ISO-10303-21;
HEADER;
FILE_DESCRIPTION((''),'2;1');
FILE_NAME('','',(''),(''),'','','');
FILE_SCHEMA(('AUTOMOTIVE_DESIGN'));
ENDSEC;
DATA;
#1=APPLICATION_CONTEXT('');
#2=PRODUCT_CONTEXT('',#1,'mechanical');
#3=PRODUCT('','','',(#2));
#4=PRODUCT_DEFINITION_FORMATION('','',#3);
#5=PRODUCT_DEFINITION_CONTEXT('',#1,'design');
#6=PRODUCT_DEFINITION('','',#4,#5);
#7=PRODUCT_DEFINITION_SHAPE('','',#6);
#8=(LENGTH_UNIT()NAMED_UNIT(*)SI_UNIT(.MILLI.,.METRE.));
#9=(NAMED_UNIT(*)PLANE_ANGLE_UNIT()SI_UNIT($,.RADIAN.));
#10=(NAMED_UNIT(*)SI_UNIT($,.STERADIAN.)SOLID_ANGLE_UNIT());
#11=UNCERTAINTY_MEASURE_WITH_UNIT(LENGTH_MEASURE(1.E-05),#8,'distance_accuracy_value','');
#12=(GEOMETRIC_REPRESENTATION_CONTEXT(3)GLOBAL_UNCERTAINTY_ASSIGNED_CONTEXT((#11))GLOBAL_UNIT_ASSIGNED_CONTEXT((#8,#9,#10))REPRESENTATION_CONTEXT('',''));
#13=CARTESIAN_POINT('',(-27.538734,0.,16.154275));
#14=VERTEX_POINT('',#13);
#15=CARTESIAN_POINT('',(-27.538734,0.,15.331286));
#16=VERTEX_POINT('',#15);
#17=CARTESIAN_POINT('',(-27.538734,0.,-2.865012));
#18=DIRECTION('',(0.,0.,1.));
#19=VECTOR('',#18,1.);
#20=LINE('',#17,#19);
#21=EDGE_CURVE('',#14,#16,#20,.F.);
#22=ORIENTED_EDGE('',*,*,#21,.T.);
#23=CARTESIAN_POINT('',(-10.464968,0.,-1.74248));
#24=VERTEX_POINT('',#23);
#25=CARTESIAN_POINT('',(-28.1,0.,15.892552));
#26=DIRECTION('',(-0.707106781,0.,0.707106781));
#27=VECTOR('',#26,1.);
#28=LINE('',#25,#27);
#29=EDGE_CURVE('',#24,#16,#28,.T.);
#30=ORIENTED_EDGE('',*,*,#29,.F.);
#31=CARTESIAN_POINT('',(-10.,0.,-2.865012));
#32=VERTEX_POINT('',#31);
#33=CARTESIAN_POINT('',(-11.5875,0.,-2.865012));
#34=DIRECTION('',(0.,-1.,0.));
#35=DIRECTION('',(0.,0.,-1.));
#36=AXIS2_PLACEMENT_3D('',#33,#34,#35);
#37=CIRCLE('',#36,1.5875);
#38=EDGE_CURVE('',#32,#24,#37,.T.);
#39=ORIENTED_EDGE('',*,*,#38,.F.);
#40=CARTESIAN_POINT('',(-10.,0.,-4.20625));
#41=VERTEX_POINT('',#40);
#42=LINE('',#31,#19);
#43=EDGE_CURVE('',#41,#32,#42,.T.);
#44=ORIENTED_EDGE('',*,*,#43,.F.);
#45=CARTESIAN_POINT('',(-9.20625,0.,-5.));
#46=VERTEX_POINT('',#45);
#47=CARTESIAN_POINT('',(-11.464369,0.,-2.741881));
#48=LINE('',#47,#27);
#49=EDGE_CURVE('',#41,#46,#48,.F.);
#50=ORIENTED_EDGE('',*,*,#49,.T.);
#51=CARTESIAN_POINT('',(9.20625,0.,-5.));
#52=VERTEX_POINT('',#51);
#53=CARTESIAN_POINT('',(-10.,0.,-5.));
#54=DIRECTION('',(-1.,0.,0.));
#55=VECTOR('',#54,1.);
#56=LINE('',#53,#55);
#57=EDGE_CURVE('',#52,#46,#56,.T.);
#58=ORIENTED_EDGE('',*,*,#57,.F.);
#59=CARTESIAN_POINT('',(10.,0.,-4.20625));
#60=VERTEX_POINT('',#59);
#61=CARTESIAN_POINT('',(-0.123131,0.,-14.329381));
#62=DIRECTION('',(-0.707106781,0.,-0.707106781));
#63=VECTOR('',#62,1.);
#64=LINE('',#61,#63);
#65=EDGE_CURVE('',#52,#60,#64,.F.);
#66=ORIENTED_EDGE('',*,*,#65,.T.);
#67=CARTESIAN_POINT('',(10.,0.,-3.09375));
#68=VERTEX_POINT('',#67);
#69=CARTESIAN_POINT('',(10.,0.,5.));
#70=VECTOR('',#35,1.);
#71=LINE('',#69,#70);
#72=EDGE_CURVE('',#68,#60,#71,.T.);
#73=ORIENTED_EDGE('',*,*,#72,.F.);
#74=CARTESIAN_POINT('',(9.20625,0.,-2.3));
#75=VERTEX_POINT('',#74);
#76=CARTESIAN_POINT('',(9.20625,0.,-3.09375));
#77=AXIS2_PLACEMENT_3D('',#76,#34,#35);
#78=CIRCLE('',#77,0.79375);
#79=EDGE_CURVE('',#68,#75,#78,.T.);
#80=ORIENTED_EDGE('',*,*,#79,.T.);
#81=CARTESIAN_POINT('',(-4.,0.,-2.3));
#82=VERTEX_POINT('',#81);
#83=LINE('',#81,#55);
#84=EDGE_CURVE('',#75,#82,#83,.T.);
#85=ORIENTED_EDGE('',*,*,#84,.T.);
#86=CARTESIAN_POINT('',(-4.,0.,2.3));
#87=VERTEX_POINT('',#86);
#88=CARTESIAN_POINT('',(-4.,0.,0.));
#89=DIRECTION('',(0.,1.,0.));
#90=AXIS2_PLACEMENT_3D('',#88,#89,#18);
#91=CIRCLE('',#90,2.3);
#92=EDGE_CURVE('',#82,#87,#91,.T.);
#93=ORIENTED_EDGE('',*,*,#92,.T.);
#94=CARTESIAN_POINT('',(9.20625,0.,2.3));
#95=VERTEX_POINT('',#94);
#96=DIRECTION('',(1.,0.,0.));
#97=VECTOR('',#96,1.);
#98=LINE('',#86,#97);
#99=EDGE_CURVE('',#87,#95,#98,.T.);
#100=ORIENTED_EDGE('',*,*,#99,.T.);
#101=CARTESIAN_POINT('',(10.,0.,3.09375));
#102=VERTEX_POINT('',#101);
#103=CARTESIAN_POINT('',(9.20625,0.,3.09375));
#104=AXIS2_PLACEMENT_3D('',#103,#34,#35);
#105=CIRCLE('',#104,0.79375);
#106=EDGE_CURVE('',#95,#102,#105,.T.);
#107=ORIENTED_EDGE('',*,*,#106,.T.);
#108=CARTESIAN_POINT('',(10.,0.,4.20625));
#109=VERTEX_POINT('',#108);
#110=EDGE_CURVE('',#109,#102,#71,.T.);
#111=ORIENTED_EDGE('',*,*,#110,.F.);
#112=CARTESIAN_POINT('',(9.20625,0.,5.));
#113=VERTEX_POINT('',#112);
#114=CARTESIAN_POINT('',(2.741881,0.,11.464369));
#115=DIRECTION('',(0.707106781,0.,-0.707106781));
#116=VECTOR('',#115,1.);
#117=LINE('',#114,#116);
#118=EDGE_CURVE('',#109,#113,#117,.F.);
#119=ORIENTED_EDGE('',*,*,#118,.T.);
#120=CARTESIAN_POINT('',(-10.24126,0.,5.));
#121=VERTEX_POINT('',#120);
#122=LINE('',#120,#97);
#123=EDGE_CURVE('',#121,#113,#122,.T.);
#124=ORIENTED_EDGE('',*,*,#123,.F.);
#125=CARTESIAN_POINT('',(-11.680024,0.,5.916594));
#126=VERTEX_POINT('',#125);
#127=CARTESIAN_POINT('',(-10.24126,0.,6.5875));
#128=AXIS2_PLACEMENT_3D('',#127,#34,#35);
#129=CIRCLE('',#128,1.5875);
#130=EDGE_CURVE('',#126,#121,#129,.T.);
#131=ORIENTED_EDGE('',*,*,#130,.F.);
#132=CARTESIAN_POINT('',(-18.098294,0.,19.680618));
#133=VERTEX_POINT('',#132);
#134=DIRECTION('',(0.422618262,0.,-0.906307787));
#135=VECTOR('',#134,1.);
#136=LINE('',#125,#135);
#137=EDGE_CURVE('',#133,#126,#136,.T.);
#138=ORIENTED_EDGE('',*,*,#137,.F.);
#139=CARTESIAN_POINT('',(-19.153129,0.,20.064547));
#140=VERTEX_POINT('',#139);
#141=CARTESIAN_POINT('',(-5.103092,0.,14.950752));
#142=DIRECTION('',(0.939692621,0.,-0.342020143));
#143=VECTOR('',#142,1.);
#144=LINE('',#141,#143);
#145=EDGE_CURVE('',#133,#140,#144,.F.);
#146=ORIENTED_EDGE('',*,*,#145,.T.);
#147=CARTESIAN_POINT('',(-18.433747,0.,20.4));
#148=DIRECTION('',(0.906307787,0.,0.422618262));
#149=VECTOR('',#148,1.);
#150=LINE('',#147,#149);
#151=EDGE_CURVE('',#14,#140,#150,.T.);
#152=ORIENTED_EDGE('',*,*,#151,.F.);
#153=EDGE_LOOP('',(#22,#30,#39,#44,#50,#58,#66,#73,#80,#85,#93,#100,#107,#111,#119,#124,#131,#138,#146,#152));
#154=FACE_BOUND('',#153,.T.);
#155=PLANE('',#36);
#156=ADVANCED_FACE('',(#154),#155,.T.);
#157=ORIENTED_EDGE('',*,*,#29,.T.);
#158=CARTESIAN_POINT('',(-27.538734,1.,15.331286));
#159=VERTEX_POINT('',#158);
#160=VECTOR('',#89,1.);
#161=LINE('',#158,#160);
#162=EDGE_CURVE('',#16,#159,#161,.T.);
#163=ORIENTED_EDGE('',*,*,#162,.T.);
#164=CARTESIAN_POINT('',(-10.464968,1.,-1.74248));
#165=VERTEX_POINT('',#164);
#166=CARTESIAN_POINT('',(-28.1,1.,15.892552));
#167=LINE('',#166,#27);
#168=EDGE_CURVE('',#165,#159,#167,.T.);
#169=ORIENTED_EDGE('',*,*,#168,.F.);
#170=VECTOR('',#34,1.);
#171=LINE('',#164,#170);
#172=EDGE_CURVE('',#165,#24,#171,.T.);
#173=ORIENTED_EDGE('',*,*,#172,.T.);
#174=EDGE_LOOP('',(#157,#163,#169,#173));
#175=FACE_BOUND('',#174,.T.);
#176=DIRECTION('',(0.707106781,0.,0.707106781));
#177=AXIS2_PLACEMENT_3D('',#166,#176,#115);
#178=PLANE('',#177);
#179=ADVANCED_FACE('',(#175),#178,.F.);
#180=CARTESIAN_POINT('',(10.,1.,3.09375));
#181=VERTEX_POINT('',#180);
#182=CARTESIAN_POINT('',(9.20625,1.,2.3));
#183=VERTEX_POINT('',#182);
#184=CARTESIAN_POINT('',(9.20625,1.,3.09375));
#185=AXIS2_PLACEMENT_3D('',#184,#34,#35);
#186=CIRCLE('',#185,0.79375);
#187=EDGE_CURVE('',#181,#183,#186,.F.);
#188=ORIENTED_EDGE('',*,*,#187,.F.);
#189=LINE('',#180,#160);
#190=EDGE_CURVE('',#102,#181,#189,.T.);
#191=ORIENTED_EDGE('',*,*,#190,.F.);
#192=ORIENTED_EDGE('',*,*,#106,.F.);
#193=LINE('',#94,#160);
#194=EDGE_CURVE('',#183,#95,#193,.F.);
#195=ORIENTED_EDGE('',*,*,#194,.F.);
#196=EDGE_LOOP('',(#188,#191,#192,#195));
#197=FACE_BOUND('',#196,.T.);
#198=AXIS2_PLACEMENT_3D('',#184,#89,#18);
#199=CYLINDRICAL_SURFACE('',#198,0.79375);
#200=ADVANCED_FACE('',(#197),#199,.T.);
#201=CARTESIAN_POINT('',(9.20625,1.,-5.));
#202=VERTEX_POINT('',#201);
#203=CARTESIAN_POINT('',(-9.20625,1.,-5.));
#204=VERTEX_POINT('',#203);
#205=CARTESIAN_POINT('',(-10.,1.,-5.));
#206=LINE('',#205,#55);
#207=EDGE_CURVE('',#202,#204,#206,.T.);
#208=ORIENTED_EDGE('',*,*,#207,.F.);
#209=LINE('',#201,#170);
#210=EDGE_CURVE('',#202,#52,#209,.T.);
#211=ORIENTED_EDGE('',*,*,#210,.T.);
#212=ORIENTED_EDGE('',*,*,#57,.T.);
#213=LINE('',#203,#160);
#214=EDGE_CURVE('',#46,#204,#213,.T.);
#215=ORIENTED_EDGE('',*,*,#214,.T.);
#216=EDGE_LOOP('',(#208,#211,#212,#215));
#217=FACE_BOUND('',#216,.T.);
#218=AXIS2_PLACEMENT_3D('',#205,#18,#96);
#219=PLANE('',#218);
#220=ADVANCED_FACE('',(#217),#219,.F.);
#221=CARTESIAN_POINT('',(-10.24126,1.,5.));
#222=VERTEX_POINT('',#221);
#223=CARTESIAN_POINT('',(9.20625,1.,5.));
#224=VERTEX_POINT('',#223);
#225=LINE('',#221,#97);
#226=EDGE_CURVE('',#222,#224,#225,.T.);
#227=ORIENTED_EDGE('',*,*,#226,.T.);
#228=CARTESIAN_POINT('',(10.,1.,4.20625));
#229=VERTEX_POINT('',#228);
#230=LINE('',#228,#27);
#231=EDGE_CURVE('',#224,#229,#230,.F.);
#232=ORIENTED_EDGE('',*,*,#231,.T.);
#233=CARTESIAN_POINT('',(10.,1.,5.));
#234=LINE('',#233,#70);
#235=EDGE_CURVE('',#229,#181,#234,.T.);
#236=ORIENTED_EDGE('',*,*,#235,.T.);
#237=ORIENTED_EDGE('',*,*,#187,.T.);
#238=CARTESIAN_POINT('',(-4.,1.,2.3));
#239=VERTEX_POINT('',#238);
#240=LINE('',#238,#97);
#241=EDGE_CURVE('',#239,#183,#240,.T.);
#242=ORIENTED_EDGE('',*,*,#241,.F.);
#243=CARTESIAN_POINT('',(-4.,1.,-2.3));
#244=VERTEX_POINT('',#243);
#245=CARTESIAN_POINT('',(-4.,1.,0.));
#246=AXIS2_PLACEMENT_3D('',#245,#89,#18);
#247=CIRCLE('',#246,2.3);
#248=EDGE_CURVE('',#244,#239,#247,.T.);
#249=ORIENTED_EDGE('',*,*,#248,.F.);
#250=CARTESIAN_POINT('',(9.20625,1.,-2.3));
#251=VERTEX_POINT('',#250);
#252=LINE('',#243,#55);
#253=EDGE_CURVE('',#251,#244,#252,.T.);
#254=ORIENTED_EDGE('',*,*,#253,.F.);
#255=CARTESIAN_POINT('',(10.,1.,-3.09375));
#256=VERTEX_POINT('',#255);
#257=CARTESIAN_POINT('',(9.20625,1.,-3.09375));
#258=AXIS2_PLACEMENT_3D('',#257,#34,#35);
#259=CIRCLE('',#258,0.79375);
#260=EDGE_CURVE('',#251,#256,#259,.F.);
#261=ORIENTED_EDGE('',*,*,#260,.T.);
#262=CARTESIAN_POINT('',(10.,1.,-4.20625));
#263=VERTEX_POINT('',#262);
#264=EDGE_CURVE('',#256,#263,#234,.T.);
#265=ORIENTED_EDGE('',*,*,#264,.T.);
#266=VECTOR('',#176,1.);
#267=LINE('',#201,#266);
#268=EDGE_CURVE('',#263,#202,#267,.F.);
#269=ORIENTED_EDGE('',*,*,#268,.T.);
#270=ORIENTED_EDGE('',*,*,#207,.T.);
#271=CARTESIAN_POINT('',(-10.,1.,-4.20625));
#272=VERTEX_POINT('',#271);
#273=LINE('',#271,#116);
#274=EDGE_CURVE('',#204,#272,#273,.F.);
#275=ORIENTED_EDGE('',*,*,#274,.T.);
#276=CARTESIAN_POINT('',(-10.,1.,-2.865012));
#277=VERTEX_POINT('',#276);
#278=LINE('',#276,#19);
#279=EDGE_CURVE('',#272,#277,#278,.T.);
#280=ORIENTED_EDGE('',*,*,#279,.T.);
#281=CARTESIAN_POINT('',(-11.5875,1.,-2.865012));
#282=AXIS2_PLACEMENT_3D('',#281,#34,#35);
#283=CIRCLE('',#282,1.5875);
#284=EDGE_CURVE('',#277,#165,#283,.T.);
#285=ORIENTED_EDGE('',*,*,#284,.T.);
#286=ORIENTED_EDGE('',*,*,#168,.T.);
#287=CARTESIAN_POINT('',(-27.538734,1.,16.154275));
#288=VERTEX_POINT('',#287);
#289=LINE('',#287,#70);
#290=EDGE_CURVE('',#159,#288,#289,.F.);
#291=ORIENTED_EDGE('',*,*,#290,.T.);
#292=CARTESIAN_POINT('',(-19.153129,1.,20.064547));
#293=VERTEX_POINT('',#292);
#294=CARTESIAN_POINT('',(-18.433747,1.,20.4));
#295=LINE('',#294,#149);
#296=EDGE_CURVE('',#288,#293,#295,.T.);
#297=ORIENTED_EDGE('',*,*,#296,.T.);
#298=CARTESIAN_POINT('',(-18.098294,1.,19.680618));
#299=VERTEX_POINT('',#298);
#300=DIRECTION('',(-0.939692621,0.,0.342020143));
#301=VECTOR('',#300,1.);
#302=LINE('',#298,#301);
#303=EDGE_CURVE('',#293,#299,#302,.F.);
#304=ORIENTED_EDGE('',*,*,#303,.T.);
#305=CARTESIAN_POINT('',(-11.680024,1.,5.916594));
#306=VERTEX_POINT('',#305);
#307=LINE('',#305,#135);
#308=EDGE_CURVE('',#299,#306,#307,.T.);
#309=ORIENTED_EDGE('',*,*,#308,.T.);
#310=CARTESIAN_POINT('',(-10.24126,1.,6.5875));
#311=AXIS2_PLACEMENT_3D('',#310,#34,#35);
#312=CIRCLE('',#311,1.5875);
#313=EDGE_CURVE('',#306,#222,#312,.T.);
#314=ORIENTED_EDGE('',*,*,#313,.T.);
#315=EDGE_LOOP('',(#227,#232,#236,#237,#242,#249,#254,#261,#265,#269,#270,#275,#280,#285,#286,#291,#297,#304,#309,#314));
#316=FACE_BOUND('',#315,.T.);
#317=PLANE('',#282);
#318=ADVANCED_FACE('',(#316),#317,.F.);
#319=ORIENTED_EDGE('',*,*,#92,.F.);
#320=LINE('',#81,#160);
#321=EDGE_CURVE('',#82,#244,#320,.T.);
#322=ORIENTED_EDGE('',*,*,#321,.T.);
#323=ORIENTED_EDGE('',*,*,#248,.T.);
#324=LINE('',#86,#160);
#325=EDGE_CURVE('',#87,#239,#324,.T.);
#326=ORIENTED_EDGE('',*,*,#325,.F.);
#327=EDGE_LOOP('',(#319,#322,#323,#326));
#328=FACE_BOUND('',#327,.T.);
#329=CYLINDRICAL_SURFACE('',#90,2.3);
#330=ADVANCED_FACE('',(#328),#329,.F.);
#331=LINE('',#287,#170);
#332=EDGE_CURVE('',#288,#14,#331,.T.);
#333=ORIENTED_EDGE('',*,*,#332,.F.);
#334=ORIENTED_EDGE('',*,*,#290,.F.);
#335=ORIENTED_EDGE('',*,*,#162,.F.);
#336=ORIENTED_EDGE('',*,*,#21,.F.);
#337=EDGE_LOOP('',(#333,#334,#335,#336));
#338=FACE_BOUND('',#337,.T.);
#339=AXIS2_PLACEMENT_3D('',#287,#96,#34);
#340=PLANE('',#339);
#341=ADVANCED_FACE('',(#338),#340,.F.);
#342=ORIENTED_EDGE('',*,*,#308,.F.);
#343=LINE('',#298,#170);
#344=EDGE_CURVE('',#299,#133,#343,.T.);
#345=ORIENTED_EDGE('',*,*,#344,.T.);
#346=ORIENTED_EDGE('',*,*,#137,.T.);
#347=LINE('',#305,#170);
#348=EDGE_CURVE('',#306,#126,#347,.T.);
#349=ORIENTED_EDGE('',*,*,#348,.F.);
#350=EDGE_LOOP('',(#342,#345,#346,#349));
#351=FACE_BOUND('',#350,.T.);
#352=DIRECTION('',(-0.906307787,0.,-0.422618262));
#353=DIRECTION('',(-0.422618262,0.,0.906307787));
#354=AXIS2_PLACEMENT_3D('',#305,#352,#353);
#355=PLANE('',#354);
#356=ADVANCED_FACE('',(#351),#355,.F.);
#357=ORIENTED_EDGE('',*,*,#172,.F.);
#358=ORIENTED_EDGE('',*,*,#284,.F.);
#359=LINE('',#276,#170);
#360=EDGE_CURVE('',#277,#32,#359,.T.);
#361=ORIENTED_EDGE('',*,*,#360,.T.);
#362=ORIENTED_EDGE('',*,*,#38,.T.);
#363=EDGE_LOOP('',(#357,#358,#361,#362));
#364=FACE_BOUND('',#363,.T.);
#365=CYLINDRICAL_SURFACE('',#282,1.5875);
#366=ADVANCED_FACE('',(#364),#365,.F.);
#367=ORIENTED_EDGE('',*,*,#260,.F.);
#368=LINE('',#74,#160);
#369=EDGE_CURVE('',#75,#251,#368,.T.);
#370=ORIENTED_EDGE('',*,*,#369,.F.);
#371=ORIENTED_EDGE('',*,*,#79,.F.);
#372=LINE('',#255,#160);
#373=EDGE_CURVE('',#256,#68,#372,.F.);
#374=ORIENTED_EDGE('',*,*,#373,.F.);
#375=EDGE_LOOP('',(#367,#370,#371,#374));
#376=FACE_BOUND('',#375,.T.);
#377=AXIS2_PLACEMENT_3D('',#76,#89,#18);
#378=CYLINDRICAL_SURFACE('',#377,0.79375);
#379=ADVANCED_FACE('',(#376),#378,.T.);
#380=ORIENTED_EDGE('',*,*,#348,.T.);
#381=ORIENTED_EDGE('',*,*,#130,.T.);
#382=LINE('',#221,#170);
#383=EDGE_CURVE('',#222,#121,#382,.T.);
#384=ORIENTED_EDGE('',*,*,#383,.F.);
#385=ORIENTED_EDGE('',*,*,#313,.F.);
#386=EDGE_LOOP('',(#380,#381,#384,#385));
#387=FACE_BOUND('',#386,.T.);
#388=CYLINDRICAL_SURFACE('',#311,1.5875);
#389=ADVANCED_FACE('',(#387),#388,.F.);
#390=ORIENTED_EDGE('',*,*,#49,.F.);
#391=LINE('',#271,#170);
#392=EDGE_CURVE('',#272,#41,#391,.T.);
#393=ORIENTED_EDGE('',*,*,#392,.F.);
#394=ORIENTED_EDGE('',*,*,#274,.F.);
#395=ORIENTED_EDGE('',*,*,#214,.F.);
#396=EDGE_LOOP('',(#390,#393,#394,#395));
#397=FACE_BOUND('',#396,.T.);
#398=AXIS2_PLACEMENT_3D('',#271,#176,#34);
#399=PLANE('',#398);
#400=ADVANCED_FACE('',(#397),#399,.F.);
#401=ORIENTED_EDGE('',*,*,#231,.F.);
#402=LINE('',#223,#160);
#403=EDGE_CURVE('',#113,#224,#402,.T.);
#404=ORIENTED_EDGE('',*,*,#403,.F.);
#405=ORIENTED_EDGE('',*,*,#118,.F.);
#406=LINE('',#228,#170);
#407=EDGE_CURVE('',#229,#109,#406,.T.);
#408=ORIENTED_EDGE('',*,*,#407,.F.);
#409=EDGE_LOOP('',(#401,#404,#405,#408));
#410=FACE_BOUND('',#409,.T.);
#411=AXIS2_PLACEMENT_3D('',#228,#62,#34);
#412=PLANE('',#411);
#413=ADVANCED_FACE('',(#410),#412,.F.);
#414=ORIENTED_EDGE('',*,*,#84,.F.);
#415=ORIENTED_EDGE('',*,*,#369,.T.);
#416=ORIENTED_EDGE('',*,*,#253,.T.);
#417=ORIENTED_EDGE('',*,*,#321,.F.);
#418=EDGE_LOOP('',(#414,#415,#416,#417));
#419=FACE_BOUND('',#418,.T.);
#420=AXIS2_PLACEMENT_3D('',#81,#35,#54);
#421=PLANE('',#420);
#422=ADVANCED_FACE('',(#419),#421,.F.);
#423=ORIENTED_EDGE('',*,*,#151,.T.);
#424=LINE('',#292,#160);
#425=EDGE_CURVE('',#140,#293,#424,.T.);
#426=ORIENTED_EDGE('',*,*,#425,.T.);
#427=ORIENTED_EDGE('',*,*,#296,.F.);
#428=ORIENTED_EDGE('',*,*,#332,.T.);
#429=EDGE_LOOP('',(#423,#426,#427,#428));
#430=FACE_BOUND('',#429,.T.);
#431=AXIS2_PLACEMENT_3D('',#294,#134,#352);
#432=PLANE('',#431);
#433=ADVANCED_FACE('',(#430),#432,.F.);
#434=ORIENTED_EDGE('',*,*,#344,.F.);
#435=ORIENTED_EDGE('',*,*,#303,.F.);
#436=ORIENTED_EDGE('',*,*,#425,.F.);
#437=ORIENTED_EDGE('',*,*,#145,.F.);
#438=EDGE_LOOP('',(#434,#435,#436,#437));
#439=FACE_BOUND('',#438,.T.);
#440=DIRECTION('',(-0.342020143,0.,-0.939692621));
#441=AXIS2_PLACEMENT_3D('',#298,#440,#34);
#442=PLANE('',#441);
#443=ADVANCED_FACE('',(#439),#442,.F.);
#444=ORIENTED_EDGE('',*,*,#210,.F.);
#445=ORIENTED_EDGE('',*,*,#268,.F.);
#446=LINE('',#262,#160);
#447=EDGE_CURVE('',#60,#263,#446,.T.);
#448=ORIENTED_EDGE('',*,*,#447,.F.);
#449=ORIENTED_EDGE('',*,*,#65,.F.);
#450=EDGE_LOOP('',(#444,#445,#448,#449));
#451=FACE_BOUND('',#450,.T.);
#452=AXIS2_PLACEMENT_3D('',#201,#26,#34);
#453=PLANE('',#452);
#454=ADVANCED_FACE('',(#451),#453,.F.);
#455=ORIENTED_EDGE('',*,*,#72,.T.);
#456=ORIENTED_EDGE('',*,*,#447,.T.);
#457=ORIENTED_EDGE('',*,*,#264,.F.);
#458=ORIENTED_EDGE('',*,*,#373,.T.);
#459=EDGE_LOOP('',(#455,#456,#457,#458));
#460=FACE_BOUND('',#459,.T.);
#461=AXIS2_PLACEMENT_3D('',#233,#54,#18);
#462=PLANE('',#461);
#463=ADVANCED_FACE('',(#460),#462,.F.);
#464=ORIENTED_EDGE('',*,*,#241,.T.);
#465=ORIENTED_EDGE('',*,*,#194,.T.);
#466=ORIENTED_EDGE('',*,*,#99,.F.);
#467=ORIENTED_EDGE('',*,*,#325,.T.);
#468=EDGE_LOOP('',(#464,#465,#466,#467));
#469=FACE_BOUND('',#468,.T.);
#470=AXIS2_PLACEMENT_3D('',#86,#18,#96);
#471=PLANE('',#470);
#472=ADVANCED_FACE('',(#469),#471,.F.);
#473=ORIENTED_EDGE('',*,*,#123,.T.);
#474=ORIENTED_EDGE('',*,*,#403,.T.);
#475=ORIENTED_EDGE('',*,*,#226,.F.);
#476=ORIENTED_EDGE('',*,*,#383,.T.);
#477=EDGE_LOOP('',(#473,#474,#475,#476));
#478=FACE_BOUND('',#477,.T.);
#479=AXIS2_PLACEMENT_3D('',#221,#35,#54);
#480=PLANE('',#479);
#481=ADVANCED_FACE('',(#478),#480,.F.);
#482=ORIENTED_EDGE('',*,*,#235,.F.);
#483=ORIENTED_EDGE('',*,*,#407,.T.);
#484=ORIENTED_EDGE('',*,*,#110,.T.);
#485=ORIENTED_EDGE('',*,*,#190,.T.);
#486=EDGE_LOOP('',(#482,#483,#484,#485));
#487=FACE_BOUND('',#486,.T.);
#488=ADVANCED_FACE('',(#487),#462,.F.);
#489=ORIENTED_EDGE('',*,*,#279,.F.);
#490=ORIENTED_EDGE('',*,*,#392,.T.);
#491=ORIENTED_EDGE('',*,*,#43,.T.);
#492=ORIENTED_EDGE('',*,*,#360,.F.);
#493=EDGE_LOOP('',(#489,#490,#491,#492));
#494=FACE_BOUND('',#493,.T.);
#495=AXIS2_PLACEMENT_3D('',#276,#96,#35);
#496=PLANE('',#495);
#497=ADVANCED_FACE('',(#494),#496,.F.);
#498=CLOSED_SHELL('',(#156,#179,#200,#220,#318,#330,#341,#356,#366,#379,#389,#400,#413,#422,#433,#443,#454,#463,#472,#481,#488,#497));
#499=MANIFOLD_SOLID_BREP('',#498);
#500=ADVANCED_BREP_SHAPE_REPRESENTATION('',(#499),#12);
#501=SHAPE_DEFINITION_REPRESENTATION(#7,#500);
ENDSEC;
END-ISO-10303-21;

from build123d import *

# Parameters (mm, degrees)
BOSS_EXTRUDE1_DEPTH   = 1
CUT_EXTRUDE1_DEPTH    = 2
FILLET1_R             = 0.79375
CHAMFER1_SIZE         = 0.79375
CHAMFER1_EDGE_2_SIZE  = 0.79375
CHAMFER1_EDGE_3_SIZE  = 0.619288519
CHAMFER1_EDGE_3_SIZE2 = 0.79375
CHAMFER1_EDGE_4_SIZE  = 0.79375
CHAMFER1_EDGE_5_SIZE  = 0.79375


with BuildPart() as part:
    # Sketch1 → Boss-Extrude1 (new body)
    with BuildSketch(Plane(origin=(0, 0, 0), x_dir=(1, 0, 0), z_dir=(0, 1, 0))):
        with BuildLine():
            Line((-11.680023612, -5.916593509), (-18.433746975, -20.4))
            Line((-18.433746975, -20.4), (-28.1, -15.892552189))
            Line((-28.1, -15.892552189), (-10.464967985, 1.742479827))
            ThreePointArc((-10.464967985, 1.742479827), (-10.120841242, 2.257501893), (-10, 2.865011842))
            Line((-10, 2.865011842), (-10, 5))
            Line((-10, 5), (10, 5))
            Line((10, 5), (10, -5))
            Line((10, -5), (-10.24126, -5))
            ThreePointArc((-10.24126, -5), (-11.094223128, -5.24861608), (-11.680023612, -5.916593509))
        make_face()
    extrude(amount=BOSS_EXTRUDE1_DEPTH)

    # Sketch2 → Cut-Extrude1 (cut, through all)
    with BuildSketch(Plane(origin=(0, 1, 0), x_dir=(1, 0, 0), z_dir=(0, 1, 0))):
        with BuildLine():
            Line((-3.99999994, 2.3), (10, 2.3))
            Line((10, 2.3), (10, -2.3))
            Line((10, -2.3), (-3.99999994, -2.3))
            ThreePointArc((-3.99999994, -2.3), (-6.29999994, 0), (-3.99999994, 2.3))
        make_face()
    extrude(amount=-CUT_EXTRUDE1_DEPTH, mode=Mode.SUBTRACT)

    # Fillet1
    fillet1_edges = [part.edges().sort_by_distance(p)[0] for p in [
        (10, 0.5, -2.3),
        (10, 0.5, 2.3),
    ]]
    fillet(fillet1_edges, radius=FILLET1_R)

    # Chamfer1
    chamfer1_edges = [part.edges().sort_by_distance(p)[0] for p in [
        (10, 0.5, 5),
    ]]
    chamfer(chamfer1_edges, length=CHAMFER1_SIZE)

    # Chamfer1 edge 2
    chamfer1_edge_2_edges = [part.edges().sort_by_distance(p)[0] for p in [
        (-18.433746975, 0.5, 20.4),
    ]]
    chamfer(chamfer1_edge_2_edges, length=CHAMFER1_EDGE_2_SIZE)

    # Chamfer1 edge 3
    chamfer1_edge_3_edges = [part.edges().sort_by_distance(p)[0] for p in [
        (-28.1, 0.5, 15.892552189),
    ]]
    chamfer1_edge_3_side = [part.faces().sort_by_distance(p)[0] for p in [
        (-23.266873487, 0.5, 18.146276094),
    ]]
    chamfer(chamfer1_edge_3_edges, length=CHAMFER1_EDGE_3_SIZE, length2=CHAMFER1_EDGE_3_SIZE2, reference=chamfer1_edge_3_side[0])

    # Chamfer1 edge 4
    chamfer1_edge_4_edges = [part.edges().sort_by_distance(p)[0] for p in [
        (-10, 0.5, -5),
    ]]
    chamfer(chamfer1_edge_4_edges, length=CHAMFER1_EDGE_4_SIZE)

    # Chamfer1 edge 5
    chamfer1_edge_5_edges = [part.edges().sort_by_distance(p)[0] for p in [
        (10, 0.5, -5),
    ]]
    chamfer(chamfer1_edge_5_edges, length=CHAMFER1_EDGE_5_SIZE)


solid = part.part
